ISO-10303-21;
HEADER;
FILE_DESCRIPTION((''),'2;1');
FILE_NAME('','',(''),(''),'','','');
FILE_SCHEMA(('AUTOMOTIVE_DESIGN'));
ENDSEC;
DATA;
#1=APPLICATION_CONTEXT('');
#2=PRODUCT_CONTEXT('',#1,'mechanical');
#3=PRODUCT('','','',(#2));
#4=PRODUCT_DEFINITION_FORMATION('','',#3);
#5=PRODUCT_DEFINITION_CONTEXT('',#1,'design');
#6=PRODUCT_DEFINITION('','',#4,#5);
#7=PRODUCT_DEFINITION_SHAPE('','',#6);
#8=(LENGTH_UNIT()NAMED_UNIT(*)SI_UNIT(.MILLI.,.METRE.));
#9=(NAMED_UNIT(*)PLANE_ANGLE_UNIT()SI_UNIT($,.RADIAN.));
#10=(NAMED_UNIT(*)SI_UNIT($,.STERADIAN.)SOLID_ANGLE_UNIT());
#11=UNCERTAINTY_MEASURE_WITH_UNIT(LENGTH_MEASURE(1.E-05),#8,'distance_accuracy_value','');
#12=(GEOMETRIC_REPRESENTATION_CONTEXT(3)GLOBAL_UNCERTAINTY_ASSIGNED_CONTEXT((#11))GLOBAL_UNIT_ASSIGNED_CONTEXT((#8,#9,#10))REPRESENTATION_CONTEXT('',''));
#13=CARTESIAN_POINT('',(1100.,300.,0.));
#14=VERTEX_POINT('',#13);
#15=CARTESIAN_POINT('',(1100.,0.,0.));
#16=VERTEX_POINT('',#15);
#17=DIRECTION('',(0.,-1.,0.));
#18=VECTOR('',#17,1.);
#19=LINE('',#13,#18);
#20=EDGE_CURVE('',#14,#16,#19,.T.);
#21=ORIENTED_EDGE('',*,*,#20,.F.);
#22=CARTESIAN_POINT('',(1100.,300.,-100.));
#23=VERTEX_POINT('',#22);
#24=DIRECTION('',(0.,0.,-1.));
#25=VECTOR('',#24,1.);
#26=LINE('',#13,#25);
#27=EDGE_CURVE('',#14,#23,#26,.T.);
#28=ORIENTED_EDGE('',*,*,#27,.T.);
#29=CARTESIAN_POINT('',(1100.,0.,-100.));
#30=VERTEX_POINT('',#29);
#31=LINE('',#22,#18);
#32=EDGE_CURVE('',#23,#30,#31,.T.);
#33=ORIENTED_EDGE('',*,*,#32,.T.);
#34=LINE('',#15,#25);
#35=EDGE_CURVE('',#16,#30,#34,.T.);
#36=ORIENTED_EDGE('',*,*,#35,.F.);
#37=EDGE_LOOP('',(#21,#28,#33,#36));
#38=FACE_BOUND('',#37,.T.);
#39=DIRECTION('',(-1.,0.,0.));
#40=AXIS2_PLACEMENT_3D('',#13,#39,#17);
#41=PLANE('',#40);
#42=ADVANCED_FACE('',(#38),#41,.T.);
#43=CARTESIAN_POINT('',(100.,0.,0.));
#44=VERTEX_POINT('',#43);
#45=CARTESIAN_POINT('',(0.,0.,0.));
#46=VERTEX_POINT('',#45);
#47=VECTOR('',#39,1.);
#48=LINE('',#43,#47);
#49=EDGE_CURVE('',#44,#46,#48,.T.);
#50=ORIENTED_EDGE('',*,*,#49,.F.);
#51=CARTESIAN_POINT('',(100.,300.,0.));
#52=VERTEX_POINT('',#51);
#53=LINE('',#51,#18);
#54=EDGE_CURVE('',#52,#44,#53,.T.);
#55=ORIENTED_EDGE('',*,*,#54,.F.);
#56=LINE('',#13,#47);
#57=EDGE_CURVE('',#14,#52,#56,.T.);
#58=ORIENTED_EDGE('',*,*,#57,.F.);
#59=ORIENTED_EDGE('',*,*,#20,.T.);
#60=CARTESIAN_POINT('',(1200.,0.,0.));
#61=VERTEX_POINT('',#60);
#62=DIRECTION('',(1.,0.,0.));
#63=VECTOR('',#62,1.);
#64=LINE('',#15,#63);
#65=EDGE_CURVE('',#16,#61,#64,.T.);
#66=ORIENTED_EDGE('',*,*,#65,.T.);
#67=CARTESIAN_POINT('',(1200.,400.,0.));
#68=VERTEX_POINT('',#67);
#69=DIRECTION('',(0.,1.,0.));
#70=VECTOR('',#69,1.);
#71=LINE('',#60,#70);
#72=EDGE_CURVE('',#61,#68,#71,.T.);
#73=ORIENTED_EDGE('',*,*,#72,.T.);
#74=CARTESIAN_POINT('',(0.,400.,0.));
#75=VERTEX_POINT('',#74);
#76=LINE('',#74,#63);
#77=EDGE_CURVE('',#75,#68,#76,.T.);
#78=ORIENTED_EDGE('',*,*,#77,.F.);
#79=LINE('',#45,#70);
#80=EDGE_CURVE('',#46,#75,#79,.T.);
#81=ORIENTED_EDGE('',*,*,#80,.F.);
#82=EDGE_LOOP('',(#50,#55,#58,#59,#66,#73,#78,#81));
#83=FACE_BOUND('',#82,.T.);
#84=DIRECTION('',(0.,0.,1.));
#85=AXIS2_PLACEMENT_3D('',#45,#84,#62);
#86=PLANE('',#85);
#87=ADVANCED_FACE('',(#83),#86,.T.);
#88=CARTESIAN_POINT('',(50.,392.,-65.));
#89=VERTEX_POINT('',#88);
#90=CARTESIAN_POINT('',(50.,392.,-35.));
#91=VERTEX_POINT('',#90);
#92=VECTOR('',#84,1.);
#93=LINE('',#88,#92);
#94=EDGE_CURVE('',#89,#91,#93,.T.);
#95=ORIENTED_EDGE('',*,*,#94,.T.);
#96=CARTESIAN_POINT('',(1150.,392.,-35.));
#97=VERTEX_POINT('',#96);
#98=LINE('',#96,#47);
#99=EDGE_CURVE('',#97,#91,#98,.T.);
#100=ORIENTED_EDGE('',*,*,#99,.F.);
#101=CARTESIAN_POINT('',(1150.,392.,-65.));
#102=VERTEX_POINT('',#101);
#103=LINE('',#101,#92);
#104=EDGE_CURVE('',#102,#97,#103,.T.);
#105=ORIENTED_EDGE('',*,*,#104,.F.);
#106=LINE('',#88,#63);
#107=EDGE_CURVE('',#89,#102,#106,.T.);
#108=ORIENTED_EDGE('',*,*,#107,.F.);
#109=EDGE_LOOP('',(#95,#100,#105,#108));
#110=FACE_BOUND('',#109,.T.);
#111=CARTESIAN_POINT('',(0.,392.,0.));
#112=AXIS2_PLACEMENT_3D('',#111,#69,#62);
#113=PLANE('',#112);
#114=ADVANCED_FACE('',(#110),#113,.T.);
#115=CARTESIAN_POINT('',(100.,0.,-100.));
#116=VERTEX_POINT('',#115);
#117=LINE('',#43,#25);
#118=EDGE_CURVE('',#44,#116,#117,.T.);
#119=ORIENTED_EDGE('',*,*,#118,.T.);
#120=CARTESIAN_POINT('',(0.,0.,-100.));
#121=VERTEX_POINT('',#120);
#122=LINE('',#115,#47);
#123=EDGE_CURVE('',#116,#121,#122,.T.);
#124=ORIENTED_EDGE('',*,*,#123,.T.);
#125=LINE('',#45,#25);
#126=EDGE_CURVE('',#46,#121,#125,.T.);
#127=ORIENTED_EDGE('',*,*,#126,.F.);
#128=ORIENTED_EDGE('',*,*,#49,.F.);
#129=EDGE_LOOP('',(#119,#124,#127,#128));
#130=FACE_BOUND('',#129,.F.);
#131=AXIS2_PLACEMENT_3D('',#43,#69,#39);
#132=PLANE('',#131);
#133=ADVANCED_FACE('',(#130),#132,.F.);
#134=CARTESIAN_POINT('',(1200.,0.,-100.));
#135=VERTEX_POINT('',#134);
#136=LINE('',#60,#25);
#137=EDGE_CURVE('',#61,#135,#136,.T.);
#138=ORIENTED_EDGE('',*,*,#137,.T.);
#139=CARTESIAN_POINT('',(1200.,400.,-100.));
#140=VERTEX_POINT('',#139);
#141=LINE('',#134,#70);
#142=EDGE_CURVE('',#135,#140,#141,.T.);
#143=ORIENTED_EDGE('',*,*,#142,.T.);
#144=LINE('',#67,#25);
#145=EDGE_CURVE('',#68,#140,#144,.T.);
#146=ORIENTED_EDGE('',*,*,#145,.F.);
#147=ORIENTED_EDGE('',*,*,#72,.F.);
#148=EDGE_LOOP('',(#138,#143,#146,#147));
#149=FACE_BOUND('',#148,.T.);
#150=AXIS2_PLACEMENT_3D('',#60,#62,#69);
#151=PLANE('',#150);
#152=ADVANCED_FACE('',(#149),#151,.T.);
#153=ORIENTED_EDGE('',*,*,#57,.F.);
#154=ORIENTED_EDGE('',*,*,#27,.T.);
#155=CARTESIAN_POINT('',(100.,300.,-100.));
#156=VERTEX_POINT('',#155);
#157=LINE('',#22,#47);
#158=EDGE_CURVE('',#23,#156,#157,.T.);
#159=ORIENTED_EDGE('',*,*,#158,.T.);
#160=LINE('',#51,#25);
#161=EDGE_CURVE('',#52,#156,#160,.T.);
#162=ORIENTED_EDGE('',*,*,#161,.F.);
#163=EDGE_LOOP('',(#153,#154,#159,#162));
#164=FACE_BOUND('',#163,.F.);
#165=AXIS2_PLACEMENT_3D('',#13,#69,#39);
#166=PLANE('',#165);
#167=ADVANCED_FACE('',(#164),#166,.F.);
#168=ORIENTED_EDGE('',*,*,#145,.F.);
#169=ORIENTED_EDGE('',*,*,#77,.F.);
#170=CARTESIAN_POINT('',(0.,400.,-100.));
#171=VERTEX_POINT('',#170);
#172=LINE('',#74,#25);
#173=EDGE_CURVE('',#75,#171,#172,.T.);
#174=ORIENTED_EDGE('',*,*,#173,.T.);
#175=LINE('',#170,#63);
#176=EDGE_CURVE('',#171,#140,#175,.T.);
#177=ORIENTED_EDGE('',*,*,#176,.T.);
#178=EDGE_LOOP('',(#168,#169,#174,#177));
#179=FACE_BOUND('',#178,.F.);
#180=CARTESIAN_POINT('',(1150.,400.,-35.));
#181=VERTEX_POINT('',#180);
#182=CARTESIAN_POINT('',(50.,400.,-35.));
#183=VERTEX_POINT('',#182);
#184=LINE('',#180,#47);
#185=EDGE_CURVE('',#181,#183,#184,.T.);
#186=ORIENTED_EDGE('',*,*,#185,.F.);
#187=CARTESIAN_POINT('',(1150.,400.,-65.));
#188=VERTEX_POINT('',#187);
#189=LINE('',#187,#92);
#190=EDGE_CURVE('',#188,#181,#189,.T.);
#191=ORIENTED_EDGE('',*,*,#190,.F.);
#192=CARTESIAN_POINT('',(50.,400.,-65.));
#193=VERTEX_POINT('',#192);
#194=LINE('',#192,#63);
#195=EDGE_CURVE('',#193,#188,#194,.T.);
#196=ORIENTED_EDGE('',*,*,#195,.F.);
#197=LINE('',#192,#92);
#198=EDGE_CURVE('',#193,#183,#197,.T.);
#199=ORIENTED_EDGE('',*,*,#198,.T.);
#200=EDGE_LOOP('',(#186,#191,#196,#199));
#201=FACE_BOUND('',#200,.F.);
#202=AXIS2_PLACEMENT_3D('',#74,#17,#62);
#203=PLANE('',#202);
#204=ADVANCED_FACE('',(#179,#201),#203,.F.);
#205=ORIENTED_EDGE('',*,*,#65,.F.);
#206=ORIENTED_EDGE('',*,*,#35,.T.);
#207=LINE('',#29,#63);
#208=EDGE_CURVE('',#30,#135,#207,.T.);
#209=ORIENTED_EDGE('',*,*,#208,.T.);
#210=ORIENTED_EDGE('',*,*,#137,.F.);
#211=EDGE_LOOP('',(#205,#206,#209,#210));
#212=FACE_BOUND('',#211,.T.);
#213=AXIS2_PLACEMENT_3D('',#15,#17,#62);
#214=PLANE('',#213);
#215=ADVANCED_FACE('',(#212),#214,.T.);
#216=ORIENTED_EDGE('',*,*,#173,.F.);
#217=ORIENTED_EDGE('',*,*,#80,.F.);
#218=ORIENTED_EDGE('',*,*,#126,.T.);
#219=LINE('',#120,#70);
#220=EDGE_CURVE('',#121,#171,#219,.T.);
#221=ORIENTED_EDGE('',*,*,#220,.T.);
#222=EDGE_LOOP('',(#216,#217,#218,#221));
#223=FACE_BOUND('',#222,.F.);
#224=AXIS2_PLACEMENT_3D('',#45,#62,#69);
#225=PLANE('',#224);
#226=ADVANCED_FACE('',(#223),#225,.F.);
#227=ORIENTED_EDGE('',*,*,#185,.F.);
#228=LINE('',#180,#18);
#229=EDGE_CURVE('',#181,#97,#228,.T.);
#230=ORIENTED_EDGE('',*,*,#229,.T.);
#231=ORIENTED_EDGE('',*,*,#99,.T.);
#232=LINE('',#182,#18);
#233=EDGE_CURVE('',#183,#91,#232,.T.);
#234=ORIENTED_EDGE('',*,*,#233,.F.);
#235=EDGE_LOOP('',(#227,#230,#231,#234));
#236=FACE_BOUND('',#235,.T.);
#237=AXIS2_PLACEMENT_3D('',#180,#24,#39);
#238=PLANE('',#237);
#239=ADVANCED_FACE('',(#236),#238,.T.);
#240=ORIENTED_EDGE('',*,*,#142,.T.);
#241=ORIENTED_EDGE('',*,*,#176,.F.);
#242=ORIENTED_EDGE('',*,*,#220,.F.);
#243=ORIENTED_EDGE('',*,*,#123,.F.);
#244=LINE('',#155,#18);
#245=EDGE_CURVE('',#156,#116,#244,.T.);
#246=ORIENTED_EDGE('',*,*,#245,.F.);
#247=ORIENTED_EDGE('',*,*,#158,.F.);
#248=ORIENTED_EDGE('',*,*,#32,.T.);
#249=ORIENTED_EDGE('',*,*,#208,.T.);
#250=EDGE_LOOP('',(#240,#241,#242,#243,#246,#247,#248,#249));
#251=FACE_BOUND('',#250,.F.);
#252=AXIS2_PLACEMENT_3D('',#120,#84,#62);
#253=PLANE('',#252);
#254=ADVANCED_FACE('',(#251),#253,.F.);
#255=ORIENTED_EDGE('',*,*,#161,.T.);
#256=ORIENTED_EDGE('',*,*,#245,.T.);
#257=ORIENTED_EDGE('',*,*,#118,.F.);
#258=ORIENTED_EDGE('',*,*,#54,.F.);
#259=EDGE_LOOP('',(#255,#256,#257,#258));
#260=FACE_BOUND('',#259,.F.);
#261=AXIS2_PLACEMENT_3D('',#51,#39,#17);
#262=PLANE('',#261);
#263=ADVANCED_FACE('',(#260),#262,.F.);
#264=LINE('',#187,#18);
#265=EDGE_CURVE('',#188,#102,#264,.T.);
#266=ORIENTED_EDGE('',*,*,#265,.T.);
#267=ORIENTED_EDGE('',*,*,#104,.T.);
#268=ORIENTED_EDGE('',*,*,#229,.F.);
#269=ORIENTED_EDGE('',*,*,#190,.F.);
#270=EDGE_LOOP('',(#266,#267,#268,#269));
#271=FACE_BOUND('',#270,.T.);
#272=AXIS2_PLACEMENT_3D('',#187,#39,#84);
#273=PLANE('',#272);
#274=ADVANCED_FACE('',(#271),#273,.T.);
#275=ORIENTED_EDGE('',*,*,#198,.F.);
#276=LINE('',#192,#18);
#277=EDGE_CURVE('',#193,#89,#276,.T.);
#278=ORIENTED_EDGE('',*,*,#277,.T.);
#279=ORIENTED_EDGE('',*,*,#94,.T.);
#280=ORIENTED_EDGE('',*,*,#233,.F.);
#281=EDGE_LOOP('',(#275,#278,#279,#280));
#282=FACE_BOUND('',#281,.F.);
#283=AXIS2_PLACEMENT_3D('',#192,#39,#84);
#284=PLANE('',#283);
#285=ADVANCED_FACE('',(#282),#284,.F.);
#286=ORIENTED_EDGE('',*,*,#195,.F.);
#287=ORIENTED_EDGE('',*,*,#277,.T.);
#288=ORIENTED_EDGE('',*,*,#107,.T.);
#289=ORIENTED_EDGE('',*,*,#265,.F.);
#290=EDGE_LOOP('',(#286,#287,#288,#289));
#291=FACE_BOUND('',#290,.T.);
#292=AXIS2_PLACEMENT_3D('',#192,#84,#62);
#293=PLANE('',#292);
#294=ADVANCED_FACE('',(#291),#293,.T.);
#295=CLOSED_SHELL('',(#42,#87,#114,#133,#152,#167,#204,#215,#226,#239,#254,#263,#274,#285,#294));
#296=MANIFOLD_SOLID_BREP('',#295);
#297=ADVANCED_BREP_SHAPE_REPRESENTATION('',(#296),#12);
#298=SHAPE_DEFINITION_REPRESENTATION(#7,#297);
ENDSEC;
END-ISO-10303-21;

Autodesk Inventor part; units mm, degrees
ref_plane "YZ Plane" through (0, 0, 0) normal (1, 0, 0) x (0, 1, 0)
ref_plane "XZ Plane" through (0, 0, 0) normal (0, 1, 0) x (-1, 0, 0)
ref_plane "XY Plane" through (0, 0, 0) normal (0, 0, 1) x (1, 0, 0)
sketch "Sketch1" plane through (0, 0, 0) normal (0, 0, 1) x (1, 0, 0)
  line L0 (0, 0) -> (0, 400)
  line L1 (0, 400) -> (1200, 400)
  line L2 (1100, 300) -> (100, 300)
  line L3 (100, 300) -> (100, 0)
  line L4 (100, 0) -> (0, 0)
  line L5 (1100, 300) -> (1100, 0)
  line L6 (1100, 0) -> (1200, 0)
  line L7 (1200, 0) -> (1200, 400)
  dimension "d0" = 400
  dimension "d1" = 1200
  dimension "d5" = 1000
  dimension "d6" = 300
  dimension "d7" = 100
  dimension "d10" = 300
  dimension "d11" = 100
  dimension "d12" = 400
extrude "Extrusion1" add sketch "Sketch1" against normal blind 100
sketch "Sketch2" plane through (0, 400, 0) normal (0, 1, 0) x (1, 0, 0)
  line L0 (0, 100) -> (1200, 100) projected
  line L1 (0, 100) -> (50, 100)
  line L2 (0, 0) -> (1200, 0) construction
  line L3 (50, 0) -> (0, 0)
  line L4 (1200, 0) -> (1150, 0)
  line L5 (50, 100) -> (50, 65)
  line L6 (50, 65) -> (50, 35)
  line L7 (50, 35) -> (50, 0)
  line L8 (1150, 100) -> (1150, 65)
  line L9 (1150, 65) -> (1150, 35)
  line L10 (1150, 35) -> (1150, 0)
  line L11 (50, 65) -> (1150, 65)
  line L12 (1150, 65) -> (1150, 35)
  line L13 (1150, 35) -> (50, 35)
  line L14 (50, 35) -> (50, 65)
  dimension "d13" = 50
  dimension "d14" = 50
  dimension "d15" = 35
  dimension "d16" = 30
  dimension "d17" = 35
  dimension "d18" = 35
  dimension "d19" = 30
  dimension "d20" = 35
extrude "Extrusion2" cut sketch "Sketch2" against normal blind 8 contours L11 L9 L13 L6
properties part number "RailsMini" material "Concrete"
